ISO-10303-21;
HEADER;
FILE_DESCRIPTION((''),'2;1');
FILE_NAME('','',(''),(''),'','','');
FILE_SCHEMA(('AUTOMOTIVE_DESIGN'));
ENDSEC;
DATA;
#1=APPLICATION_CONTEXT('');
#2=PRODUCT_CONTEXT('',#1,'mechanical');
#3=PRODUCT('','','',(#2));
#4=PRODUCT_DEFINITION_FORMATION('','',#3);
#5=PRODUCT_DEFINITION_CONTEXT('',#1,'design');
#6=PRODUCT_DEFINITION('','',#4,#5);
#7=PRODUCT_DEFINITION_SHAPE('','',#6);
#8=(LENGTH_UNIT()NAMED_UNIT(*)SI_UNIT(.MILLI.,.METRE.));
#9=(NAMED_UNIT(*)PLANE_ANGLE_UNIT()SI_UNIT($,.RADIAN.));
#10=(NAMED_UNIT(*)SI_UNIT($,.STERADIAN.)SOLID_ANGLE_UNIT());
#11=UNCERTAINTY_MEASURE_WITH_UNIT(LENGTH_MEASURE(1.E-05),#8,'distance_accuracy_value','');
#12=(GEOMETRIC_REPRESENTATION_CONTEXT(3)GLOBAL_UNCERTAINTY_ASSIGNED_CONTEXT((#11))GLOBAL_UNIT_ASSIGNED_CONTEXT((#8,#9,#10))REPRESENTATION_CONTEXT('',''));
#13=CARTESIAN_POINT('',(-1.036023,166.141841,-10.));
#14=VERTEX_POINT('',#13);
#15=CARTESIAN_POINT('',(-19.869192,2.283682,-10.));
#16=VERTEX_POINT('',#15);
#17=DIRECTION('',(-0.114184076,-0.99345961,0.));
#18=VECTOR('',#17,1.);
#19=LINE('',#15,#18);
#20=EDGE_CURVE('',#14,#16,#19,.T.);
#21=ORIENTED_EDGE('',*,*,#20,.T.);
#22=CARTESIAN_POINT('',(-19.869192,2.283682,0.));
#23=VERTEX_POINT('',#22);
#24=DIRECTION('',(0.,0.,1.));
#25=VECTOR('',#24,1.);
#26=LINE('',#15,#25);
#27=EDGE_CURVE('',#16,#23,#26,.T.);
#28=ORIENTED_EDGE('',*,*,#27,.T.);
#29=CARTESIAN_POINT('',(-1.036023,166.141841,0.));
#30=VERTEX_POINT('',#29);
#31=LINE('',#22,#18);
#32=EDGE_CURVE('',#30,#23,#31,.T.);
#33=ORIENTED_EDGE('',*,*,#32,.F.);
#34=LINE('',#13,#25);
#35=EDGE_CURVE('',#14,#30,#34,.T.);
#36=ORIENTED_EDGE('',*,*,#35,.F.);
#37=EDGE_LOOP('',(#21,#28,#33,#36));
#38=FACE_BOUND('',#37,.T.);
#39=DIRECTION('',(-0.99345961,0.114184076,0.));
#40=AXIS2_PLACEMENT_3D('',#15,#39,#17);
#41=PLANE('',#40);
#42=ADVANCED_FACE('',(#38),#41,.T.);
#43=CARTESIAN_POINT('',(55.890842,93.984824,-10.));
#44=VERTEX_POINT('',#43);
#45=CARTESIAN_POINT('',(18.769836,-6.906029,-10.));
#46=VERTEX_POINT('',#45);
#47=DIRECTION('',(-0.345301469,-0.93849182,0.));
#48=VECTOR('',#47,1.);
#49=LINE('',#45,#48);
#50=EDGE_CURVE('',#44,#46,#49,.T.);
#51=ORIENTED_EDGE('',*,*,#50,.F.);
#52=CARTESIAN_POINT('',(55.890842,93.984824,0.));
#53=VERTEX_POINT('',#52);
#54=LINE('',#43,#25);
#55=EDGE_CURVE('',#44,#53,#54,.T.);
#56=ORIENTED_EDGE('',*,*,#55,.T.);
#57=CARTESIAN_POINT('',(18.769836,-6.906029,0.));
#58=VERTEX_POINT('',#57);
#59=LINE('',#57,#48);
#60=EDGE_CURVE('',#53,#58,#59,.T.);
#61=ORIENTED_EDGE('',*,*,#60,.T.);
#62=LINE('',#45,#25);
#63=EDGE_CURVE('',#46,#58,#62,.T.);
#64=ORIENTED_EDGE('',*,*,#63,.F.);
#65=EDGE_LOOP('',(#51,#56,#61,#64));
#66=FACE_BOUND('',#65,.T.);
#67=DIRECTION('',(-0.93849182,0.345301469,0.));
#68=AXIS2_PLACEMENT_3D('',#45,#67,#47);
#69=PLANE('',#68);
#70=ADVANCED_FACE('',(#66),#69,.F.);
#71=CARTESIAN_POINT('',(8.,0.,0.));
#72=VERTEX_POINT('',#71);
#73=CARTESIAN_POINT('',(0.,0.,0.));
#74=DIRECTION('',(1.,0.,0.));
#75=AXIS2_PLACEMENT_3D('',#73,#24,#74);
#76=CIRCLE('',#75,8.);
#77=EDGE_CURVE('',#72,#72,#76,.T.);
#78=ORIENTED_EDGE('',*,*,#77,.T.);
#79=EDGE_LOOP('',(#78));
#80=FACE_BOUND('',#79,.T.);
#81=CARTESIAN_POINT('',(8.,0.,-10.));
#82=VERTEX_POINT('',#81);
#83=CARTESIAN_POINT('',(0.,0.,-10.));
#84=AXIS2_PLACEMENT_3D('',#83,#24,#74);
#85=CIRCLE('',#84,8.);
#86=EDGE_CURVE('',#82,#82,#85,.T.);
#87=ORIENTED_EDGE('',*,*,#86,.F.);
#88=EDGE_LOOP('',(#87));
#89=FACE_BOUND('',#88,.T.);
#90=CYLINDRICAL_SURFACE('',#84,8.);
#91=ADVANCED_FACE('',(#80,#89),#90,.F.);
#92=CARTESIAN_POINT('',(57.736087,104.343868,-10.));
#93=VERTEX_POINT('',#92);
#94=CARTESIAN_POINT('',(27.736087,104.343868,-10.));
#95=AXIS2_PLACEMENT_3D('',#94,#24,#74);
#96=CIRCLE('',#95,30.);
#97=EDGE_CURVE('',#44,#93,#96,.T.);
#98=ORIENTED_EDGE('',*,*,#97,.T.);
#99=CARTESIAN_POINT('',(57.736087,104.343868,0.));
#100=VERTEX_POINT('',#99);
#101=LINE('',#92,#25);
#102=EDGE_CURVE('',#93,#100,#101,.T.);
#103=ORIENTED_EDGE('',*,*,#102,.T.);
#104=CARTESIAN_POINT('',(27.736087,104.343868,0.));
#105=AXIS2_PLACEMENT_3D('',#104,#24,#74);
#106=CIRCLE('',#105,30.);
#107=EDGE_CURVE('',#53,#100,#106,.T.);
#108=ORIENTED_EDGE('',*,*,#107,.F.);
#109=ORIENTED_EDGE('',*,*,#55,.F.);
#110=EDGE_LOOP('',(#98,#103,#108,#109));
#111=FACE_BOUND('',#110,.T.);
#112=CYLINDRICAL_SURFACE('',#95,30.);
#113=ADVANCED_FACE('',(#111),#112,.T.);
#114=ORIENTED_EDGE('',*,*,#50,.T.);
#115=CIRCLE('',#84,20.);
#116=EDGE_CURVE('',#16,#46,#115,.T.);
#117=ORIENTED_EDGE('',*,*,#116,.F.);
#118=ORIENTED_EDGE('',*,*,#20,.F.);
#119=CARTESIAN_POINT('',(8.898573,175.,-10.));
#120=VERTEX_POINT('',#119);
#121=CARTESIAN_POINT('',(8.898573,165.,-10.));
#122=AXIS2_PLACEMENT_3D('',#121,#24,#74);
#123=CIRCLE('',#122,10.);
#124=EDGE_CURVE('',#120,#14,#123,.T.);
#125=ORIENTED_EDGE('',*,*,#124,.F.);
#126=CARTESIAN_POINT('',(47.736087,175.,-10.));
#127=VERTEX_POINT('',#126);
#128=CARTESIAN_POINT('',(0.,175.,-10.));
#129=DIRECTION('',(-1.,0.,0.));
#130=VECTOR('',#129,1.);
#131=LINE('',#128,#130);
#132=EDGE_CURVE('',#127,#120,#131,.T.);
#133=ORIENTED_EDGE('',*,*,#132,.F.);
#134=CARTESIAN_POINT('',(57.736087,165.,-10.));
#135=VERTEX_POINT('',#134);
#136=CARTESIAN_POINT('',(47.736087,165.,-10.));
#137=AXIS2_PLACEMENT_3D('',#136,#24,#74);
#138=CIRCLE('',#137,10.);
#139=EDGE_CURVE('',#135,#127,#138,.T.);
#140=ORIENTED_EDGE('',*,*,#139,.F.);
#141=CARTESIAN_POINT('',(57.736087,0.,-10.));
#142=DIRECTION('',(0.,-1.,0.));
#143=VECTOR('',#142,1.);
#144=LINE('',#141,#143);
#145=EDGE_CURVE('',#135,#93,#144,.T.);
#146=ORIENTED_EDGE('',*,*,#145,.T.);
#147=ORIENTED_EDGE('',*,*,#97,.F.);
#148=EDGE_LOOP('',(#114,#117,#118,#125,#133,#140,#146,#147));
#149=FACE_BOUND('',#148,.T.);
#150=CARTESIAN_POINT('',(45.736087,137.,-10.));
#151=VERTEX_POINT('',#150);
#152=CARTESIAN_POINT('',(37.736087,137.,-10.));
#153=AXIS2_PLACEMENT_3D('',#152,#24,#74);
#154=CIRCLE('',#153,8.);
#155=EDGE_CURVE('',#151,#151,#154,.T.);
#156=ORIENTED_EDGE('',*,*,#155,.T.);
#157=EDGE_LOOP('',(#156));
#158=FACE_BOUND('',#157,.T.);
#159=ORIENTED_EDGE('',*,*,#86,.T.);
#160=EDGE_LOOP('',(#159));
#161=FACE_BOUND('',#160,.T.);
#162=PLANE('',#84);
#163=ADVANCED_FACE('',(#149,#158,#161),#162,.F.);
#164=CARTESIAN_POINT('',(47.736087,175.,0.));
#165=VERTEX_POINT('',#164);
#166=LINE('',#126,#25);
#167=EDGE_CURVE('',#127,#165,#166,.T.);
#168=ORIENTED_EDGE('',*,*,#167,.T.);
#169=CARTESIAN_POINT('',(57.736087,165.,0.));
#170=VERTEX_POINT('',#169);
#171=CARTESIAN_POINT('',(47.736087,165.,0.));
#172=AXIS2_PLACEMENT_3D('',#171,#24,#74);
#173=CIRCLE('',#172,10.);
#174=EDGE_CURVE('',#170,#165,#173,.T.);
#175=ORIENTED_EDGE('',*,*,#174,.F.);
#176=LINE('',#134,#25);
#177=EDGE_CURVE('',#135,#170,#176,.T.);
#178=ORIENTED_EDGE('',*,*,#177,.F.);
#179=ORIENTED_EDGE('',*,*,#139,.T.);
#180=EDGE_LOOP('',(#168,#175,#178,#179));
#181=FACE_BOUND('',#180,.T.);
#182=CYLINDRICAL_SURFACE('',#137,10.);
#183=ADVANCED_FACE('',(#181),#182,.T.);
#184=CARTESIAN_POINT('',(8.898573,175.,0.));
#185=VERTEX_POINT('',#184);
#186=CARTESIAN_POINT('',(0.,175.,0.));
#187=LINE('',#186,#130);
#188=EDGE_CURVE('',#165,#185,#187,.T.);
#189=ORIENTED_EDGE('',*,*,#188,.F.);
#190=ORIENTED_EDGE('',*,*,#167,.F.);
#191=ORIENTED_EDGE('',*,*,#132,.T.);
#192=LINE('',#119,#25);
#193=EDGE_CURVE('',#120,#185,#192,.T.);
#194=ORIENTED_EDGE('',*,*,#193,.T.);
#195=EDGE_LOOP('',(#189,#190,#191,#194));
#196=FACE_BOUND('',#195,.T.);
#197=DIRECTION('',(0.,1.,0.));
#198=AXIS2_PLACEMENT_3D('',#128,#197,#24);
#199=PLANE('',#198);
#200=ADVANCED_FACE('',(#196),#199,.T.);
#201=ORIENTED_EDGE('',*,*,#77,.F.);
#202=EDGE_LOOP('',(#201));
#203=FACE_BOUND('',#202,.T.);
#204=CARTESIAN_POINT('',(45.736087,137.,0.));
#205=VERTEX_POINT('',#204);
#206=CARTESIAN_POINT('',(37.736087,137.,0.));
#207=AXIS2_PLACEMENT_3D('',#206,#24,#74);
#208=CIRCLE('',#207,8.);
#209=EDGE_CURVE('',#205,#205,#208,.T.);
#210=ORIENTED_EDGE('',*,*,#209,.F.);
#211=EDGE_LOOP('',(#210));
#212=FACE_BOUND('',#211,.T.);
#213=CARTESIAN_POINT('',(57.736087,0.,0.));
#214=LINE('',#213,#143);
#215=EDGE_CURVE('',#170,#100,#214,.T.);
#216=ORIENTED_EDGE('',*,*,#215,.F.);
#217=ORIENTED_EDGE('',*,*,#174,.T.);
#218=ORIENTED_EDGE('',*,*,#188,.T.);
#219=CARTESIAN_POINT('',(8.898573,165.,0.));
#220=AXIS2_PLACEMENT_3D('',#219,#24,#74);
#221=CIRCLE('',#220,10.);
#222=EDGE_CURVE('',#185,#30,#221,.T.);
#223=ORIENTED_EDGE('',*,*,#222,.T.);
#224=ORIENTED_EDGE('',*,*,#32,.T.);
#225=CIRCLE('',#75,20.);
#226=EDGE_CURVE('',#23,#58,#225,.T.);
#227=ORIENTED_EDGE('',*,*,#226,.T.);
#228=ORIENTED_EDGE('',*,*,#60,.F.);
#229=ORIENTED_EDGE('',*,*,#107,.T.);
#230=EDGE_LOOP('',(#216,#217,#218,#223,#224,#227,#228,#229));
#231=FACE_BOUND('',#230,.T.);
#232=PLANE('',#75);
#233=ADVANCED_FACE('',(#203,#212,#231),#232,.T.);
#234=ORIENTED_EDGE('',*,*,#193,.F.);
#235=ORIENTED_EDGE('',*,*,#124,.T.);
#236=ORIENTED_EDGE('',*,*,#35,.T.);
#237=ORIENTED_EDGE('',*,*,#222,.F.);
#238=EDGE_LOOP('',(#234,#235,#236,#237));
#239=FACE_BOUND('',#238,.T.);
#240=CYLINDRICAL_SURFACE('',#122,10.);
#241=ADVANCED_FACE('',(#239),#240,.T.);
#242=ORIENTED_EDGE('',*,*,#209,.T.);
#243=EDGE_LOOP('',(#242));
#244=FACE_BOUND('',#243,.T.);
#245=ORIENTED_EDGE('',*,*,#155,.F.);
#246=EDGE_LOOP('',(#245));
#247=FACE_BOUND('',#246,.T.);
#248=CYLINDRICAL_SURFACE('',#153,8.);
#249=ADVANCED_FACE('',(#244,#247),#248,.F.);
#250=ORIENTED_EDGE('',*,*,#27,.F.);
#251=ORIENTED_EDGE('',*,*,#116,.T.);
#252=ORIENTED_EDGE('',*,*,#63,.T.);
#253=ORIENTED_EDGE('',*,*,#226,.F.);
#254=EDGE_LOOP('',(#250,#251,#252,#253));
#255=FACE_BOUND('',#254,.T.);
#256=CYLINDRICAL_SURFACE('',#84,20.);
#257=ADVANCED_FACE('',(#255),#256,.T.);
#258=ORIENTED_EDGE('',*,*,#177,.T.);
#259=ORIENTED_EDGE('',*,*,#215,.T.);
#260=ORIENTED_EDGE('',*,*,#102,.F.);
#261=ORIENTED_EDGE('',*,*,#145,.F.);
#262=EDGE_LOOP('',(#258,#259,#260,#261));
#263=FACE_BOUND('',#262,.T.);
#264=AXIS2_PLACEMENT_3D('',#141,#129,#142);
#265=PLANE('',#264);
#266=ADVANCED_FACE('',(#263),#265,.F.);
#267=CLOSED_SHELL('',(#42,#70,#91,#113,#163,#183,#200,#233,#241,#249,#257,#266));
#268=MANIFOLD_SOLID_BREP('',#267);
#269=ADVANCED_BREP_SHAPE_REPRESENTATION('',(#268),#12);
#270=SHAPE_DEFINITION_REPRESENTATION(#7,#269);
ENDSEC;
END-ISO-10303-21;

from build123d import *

# Parameters (mm, degrees)
SZKIC1_R                    = 20
SZKIC1_R_2                  = 8
DODANIE_WYCI_GNI_CIE1_DEPTH = 10


with BuildPart() as part:
    # Szkic1 → Dodanie-wyciągnięcie1 (new body)
    # profile 1 of 3: a face of its own
    with BuildSketch(Plane.XY):
        with BuildLine():
            Line((17.736087047, 99), (17.736087047, 175))
            Line((17.736087047, 175), (8.898572724, 175))
            ThreePointArc((8.898572724, 175), (2.243439653, 172.463859847), (-1.036023376, 166.141840763))
            Line((-1.036023376, 166.141840763), (-19.8691922, 2.283681526))
            ThreePointArc((-19.8691922, 2.283681526), (1.143712376, 19.967271271), (20, 0))
            ThreePointArc((20, 0), (19.69005749, -3.507368821), (18.769836395, -6.906029373))
            Line((18.769836395, -6.906029373), (55.890841639, 93.984823763))
            ThreePointArc((55.890841639, 93.984823763), (56.682391116, 96.462784094), (57.25630176, 99))
            Line((57.25630176, 99), (17.736087047, 99))
        make_face()
    # profile 2 of 3: a face of its own
    with BuildSketch(Plane.XY):
        Circle(SZKIC1_R)
        Circle(SZKIC1_R_2, mode=Mode.SUBTRACT)
    # profile 3 of 3: a face of its own
    with BuildSketch(Plane.XY):
        with BuildLine():
            Line((47.736087047, 175), (17.736087047, 175))
            Line((17.736087047, 175), (17.736087047, 99))
            Line((17.736087047, 99), (57.25630176, 99))
            ThreePointArc((57.25630176, 99), (57.615899976, 101.661186457), (57.736087047, 104.343867823))
            Line((57.736087047, 104.343867823), (57.736087047, 165))
            ThreePointArc((57.736087047, 165), (54.807154859, 172.071067812), (47.736087047, 175))
        make_face()
        with Locations((37.736087047, 137)):
            Circle(SZKIC1_R_2, mode=Mode.SUBTRACT)
    extrude(amount=-DODANIE_WYCI_GNI_CIE1_DEPTH)


solid = part.part
